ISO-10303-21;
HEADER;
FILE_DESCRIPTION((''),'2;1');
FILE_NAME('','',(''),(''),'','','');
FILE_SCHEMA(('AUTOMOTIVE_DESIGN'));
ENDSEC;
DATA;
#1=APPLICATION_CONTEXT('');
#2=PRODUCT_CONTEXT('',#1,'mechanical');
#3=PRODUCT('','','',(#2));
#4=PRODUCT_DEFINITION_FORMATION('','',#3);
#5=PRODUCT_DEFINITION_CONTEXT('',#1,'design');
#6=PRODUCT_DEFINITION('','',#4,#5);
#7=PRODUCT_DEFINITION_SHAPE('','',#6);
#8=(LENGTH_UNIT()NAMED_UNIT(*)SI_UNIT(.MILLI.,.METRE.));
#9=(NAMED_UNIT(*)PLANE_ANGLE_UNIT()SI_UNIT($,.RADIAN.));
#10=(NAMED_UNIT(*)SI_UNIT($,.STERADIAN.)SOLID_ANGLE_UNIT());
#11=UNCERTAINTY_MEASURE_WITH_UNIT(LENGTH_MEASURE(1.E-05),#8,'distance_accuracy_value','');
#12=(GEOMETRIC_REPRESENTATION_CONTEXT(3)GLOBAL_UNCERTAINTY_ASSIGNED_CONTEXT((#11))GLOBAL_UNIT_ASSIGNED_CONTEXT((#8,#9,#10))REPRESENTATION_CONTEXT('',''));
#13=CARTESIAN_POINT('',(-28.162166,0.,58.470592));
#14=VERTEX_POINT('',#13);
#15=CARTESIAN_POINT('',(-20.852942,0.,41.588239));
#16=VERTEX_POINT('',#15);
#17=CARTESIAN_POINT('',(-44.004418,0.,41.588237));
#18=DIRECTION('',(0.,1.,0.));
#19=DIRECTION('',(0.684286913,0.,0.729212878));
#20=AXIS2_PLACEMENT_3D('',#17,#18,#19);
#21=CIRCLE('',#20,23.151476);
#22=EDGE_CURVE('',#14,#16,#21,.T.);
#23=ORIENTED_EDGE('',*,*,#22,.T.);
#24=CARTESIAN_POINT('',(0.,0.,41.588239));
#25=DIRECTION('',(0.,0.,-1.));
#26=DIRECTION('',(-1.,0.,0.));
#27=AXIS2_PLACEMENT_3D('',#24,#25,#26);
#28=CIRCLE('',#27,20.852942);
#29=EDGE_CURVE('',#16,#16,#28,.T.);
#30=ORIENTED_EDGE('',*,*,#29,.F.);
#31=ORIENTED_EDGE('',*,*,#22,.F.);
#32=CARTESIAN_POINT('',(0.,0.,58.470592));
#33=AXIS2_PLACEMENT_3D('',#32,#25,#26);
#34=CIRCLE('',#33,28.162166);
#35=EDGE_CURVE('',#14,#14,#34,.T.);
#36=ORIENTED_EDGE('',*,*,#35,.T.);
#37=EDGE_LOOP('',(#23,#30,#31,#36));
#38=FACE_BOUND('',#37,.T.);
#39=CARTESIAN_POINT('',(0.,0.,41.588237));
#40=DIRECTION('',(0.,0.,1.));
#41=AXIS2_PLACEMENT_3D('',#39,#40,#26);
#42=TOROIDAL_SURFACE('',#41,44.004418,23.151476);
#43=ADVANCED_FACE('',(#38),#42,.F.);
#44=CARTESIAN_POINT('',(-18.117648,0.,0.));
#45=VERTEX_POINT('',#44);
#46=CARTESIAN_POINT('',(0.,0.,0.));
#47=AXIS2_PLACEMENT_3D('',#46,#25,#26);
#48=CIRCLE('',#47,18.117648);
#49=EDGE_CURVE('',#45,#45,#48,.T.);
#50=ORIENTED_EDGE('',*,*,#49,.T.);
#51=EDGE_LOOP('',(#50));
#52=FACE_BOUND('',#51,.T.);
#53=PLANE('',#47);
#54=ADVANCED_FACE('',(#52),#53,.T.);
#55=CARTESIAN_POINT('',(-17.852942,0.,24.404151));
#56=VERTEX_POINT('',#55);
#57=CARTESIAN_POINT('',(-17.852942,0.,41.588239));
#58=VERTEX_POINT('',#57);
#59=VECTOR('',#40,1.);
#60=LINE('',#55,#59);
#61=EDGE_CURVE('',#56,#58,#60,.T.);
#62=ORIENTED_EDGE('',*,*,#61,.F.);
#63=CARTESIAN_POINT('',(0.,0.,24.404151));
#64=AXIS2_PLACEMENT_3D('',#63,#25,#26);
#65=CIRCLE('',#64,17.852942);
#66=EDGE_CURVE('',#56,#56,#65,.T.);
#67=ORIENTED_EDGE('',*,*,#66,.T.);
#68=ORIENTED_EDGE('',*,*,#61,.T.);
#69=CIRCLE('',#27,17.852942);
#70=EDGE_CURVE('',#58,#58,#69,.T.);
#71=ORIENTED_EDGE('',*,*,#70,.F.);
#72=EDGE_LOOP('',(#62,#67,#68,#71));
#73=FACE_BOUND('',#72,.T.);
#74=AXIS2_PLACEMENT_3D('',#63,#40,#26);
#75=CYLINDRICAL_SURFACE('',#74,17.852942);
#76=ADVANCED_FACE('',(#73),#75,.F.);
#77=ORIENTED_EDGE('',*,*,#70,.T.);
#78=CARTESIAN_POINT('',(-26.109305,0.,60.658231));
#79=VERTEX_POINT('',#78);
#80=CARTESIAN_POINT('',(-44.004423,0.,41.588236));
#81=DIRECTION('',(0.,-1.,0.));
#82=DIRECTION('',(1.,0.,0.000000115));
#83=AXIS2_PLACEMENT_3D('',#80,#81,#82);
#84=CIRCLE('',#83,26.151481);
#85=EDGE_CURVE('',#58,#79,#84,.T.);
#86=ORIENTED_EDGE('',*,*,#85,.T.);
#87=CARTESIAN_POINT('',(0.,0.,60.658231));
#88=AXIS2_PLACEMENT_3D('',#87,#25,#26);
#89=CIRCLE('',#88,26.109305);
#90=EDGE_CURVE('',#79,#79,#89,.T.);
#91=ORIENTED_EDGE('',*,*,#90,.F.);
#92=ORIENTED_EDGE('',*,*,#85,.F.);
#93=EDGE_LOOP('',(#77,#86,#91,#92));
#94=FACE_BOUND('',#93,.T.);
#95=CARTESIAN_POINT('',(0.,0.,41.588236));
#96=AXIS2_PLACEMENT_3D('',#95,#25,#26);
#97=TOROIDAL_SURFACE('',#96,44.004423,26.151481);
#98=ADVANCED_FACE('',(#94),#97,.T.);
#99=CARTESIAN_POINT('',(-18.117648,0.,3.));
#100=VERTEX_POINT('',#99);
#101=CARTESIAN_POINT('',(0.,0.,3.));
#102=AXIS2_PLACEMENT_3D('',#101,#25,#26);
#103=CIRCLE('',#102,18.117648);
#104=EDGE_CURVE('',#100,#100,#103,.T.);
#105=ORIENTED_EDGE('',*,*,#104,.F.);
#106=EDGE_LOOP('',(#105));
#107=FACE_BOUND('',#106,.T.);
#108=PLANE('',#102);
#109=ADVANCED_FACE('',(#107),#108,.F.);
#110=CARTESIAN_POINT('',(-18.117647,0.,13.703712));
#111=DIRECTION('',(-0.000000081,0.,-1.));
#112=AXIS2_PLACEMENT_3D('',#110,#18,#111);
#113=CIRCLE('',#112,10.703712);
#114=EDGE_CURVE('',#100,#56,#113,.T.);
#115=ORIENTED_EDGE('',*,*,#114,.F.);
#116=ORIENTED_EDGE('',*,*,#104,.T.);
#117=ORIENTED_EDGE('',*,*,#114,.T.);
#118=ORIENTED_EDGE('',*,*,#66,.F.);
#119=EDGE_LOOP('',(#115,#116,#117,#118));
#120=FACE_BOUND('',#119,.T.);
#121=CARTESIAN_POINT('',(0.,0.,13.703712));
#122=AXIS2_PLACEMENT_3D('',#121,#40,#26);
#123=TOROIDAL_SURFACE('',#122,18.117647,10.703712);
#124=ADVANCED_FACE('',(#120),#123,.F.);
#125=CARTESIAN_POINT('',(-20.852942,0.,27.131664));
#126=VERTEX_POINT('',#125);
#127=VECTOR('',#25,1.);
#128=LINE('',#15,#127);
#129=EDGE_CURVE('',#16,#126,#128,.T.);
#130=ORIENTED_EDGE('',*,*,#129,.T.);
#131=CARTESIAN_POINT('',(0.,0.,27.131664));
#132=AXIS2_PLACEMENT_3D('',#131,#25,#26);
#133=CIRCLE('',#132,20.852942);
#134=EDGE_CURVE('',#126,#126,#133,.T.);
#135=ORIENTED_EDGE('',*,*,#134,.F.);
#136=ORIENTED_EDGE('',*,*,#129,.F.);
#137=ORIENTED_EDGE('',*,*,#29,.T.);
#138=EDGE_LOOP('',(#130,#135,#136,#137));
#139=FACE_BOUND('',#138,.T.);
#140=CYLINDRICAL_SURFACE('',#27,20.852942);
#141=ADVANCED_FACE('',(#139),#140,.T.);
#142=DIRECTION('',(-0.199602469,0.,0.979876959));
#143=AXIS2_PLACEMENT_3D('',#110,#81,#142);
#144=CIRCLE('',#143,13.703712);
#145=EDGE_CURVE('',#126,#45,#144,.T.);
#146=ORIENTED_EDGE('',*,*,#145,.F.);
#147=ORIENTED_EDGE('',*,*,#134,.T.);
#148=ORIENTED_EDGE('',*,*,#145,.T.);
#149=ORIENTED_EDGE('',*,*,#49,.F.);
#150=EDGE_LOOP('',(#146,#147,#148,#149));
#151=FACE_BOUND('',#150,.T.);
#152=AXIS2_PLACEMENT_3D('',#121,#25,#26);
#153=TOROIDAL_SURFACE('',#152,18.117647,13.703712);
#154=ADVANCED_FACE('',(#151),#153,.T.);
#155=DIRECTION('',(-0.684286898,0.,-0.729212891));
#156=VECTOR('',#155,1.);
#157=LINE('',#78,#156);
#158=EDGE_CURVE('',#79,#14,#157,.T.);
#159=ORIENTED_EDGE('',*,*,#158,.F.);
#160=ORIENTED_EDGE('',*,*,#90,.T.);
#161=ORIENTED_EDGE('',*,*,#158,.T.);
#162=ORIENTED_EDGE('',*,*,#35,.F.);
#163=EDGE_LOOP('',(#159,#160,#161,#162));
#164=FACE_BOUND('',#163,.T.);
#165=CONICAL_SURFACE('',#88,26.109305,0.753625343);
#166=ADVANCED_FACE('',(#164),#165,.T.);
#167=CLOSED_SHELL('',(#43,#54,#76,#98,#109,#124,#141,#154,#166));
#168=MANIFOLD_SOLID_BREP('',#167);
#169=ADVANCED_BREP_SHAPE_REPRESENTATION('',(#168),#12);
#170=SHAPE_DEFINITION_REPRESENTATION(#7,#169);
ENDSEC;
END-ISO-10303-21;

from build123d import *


with BuildPart() as f1:
    # F0 (on Front) → F1 (revolve)
    with BuildSketch(Plane.XZ):
        with BuildLine():
            Line((-18.117648, 0), (0, 0))
            Line((0, 0), (0, 3))
            Line((0, 3), (-18.117648, 3))
            ThreePointArc((-18.117648, 3), (-28.820541, 13.836075), (-17.852942, 24.404151))
            Line((-17.852942, 24.404151), (-17.852942, 41.588239))
            ThreePointArc((-17.852942, 41.588239), (-20.005634, 51.978524), (-26.109305, 60.658231))
            Line((-26.109305, 60.658231), (-28.162166, 58.470592))
            ThreePointArc((-28.162166, 58.470592), (-22.758685, 50.786589), (-20.852942, 41.588239))
            Line((-20.852942, 41.588239), (-20.852942, 27.131664))
            ThreePointArc((-20.852942, 27.131664), (-31.752245, 12.329132), (-18.117648, 0))
        make_face()
    revolve(axis=Axis((0, 0, 1.5), (0, 0, -1)))


solid = f1.part
